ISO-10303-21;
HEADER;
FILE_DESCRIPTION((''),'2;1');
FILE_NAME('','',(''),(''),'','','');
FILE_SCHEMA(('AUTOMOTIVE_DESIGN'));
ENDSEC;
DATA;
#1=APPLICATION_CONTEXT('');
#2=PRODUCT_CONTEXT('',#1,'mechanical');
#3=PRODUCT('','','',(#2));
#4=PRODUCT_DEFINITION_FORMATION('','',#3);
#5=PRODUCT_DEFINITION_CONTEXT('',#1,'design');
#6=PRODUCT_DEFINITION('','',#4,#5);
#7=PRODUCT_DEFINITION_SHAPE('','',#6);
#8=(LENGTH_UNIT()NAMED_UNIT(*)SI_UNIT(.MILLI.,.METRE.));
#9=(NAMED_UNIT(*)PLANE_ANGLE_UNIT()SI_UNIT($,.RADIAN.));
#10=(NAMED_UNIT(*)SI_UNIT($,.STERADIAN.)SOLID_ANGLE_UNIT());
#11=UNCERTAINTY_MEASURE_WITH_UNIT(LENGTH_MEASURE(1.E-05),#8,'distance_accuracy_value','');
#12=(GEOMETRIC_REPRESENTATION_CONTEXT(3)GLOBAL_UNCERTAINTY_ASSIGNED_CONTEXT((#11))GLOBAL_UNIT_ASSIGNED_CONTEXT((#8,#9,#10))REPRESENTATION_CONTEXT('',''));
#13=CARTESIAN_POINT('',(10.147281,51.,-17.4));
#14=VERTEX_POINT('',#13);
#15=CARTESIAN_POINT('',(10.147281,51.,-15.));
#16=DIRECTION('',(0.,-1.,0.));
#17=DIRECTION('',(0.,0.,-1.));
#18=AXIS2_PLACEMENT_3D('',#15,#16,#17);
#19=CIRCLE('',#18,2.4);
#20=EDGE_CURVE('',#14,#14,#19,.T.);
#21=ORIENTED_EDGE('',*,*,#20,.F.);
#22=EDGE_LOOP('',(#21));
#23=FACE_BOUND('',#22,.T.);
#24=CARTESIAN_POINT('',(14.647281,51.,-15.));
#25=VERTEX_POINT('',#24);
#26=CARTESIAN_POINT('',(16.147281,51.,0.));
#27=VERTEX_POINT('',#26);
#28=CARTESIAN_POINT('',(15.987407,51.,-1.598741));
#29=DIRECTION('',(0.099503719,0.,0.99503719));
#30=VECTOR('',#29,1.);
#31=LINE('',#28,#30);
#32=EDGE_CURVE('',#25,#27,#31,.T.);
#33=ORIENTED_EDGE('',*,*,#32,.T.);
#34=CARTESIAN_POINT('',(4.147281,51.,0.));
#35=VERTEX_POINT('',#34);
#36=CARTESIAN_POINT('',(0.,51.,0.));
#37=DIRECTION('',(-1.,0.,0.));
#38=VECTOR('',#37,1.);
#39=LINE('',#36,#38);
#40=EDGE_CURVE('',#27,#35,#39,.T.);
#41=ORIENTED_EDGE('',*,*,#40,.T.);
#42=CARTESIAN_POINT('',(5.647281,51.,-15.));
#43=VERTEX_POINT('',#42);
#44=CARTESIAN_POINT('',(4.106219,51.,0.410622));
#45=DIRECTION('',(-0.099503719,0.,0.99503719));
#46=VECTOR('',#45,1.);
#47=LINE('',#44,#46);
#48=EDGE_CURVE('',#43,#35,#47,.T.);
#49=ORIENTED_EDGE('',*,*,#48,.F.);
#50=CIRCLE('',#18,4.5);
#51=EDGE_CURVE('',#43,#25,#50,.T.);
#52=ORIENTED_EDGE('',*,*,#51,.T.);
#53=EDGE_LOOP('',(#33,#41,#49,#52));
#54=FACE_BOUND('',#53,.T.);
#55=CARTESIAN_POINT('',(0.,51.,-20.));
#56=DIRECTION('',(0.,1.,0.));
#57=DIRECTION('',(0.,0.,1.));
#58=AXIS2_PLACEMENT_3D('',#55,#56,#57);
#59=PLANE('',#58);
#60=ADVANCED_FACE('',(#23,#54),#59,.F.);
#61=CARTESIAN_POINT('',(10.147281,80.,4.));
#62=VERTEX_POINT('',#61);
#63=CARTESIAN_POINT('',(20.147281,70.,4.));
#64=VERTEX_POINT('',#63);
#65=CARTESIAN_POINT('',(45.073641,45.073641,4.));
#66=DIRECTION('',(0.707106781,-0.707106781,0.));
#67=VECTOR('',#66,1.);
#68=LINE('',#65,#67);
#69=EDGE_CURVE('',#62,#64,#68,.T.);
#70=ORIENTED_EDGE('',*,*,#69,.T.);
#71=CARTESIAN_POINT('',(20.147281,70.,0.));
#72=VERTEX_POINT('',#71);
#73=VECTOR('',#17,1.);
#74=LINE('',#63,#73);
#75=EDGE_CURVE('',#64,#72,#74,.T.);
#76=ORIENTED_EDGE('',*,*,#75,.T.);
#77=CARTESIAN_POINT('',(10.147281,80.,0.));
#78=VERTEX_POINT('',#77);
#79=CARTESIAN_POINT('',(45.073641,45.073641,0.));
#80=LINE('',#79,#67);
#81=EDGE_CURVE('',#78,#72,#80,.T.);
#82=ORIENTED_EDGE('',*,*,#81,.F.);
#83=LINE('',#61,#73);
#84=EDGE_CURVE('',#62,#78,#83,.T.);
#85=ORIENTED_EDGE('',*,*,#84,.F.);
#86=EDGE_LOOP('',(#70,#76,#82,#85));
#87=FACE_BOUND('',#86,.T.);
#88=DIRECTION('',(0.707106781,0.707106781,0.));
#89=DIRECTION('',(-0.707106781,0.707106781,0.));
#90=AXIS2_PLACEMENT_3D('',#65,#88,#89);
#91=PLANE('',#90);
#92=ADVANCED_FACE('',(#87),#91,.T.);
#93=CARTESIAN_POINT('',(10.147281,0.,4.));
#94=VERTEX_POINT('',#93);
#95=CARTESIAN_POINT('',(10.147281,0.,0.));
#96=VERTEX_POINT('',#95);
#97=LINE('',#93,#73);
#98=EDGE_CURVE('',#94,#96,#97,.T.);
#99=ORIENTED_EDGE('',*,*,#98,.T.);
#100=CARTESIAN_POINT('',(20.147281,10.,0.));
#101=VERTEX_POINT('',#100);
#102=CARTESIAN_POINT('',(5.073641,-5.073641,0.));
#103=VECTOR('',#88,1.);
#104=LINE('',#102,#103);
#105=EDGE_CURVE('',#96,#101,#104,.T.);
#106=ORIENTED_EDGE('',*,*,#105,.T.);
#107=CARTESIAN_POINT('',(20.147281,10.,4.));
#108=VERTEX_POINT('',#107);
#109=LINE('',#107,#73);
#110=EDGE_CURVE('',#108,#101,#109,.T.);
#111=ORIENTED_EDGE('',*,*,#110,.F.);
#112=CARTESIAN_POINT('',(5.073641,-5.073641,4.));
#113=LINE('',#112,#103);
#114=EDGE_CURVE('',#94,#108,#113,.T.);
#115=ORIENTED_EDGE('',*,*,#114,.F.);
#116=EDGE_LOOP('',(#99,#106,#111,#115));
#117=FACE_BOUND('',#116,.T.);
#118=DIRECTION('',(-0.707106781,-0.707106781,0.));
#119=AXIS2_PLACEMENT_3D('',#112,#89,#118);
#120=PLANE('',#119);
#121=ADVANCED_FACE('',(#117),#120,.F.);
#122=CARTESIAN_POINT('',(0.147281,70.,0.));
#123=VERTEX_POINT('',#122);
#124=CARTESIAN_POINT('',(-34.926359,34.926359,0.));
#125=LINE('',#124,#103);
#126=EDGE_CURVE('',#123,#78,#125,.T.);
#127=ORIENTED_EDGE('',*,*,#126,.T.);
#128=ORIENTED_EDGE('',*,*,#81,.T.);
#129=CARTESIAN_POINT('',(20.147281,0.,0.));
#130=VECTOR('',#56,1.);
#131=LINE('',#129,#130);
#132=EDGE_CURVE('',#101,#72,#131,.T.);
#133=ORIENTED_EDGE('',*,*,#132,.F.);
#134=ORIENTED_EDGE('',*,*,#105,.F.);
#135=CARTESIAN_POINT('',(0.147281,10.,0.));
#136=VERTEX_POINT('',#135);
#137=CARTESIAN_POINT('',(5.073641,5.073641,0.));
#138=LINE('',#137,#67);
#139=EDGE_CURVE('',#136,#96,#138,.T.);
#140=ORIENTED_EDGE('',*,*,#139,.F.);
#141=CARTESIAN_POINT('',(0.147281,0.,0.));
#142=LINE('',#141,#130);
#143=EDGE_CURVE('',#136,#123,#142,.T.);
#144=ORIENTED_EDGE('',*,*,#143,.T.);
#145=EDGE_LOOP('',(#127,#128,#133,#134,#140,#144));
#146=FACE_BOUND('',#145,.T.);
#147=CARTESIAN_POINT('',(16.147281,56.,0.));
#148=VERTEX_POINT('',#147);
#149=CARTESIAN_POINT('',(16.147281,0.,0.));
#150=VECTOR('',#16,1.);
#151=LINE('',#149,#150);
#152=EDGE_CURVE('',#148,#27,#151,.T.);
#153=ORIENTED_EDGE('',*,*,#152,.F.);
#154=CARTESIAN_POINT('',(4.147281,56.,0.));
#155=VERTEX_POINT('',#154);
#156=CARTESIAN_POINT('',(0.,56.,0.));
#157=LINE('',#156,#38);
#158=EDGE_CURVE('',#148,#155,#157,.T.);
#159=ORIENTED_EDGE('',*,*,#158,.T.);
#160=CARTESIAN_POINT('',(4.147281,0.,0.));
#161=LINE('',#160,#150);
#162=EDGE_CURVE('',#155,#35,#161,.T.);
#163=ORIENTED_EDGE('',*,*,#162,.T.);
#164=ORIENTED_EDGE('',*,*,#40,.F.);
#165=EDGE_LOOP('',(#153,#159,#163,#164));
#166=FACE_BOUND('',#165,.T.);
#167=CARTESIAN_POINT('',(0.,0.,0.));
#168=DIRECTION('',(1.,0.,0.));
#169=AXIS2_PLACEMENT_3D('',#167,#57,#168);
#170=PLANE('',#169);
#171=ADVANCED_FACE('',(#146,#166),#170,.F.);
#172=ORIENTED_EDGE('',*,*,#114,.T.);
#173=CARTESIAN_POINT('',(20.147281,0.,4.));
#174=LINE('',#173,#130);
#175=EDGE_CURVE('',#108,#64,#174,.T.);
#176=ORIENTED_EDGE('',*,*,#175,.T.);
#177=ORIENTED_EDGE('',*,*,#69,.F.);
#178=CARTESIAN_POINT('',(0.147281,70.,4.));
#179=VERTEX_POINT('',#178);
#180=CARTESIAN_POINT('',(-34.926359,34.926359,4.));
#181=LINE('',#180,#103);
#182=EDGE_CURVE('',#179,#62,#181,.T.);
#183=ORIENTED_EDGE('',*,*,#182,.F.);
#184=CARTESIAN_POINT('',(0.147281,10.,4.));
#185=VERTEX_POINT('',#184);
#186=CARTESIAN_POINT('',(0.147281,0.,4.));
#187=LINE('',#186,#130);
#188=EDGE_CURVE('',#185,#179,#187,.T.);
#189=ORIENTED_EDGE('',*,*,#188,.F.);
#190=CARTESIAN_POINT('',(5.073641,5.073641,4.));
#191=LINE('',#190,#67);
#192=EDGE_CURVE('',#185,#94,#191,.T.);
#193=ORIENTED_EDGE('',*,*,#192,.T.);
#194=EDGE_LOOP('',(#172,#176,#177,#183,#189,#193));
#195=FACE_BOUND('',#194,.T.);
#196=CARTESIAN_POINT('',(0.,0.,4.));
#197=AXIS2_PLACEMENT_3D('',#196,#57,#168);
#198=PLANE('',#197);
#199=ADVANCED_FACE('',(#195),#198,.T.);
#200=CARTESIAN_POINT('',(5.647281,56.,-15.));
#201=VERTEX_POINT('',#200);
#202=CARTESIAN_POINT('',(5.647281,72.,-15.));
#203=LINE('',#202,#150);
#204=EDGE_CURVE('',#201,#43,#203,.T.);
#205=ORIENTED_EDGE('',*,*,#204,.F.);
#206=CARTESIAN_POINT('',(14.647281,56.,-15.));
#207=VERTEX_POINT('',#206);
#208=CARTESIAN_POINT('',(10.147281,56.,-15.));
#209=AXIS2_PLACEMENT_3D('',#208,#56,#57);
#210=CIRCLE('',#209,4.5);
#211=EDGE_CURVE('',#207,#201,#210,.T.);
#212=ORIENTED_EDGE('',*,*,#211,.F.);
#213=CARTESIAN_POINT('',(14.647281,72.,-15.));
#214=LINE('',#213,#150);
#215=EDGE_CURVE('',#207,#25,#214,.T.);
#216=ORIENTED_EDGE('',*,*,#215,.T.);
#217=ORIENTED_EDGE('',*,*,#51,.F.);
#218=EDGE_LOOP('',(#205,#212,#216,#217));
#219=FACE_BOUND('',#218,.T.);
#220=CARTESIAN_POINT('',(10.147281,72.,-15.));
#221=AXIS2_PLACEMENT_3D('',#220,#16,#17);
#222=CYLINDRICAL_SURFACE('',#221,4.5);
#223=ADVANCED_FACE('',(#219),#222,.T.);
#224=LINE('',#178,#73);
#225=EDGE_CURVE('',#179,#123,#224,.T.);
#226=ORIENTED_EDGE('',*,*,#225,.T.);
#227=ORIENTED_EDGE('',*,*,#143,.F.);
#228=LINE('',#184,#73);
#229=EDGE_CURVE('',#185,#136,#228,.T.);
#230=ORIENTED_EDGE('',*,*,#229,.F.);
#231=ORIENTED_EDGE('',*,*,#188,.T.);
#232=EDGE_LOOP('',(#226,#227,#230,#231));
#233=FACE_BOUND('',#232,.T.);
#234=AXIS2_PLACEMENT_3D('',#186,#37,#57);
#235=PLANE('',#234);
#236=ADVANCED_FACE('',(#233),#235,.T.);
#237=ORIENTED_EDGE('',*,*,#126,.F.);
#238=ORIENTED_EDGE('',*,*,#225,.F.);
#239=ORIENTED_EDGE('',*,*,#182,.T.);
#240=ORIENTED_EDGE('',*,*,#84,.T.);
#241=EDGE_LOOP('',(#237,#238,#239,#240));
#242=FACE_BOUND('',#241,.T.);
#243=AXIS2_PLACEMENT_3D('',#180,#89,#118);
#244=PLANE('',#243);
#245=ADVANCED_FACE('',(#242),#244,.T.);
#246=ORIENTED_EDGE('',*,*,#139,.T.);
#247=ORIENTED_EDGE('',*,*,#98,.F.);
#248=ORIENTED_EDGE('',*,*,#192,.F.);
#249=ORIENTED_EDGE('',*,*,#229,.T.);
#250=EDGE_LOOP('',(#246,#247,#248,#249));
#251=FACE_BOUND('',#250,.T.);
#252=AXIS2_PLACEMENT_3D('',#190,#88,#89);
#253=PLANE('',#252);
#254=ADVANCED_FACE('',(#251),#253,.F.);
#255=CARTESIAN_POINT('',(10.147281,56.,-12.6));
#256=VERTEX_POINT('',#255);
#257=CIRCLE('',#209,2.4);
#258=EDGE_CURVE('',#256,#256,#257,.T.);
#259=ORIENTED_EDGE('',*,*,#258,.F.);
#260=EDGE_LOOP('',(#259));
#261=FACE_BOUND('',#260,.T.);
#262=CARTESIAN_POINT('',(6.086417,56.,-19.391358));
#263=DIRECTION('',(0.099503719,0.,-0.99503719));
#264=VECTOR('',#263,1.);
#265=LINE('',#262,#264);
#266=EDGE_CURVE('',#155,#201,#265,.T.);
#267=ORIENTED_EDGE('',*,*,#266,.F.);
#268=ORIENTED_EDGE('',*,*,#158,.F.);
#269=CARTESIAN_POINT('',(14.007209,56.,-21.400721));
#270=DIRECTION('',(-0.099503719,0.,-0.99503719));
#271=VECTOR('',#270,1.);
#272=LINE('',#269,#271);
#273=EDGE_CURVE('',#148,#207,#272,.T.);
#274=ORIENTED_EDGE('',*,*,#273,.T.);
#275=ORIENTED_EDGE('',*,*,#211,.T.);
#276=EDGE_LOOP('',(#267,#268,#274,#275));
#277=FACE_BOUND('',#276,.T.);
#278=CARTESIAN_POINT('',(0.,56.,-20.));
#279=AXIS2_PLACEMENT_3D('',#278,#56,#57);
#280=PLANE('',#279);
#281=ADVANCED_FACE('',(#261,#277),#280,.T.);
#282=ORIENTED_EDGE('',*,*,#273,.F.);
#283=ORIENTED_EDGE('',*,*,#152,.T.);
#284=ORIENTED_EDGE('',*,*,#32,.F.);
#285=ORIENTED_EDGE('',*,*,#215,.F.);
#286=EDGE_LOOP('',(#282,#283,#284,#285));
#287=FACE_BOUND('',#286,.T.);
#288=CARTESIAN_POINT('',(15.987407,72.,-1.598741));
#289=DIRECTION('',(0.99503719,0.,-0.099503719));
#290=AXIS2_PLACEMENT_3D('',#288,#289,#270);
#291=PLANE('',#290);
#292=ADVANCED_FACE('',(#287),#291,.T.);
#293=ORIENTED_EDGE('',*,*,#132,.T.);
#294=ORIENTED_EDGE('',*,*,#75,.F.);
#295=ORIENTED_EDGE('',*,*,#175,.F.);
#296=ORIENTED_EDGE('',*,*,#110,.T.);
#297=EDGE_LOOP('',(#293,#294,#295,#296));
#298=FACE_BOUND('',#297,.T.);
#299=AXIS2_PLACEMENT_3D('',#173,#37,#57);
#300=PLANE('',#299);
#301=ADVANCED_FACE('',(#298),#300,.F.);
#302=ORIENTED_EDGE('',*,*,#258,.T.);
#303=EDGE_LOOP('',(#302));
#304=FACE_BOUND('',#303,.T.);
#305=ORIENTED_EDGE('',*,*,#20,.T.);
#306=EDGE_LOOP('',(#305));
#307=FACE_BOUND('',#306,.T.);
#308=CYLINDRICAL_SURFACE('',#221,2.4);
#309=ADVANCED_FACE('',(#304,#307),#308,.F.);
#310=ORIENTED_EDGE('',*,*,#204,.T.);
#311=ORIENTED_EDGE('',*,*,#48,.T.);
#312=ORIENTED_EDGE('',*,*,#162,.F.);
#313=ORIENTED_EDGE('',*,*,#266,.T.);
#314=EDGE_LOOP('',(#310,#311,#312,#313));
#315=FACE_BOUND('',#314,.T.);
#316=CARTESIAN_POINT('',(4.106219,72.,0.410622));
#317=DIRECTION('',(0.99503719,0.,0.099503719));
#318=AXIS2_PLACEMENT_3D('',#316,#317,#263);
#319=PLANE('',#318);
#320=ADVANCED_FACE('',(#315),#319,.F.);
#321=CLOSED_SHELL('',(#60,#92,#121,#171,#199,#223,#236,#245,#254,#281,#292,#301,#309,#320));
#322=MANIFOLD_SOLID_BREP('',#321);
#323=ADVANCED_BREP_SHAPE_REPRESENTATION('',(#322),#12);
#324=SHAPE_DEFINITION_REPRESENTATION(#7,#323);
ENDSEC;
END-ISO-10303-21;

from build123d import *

# Parameters (mm, degrees)
EXTRUDE_1_DEPTH     = 4
SKETCH_2_W          = 12
SKETCH_2_H          = 5
EXTRUDE_2_DEPTH     = 20
SKETCH_6_R          = 2.4
CUT_EXTRUDE_5_DEPTH = 21


with BuildPart() as part:
    # 草图1 → 凸台-拉伸1 (new body)
    with BuildSketch(Plane.XY):
        Polygon((0.147281285, 10), (0.147281285, 70), (10.147281285, 80), (20.147281285, 70), (20.147281285, 10), (10.147281285, 0), align=None)
    extrude(amount=EXTRUDE_1_DEPTH)

    # 草图2 → 凸台-拉伸2 (add)
    with BuildSketch(Plane(origin=(0, 0, 0), x_dir=(-1, 0, 0), z_dir=(0, 0, -1))):
        with Locations((-10.147281285, 53.5)):
            Rectangle(SKETCH_2_W, SKETCH_2_H)
    extrude(amount=EXTRUDE_2_DEPTH)

    # 草图6 → 切除-拉伸5 (cut)
    with BuildSketch(Plane.XZ.offset(-51)):
        with Locations(Location((10.147281285, -15, 0), (0, 0, 270))):
            Circle(SKETCH_6_R)
        with BuildLine():
            ThreePointArc((14.647281285, -15), (10.147281285, -19.5), (5.647281285, -15))
            Line((5.647281285, -15), (4.147281285, 0))
            Line((4.147281285, 0), (4.147281285, -20))
            Line((4.147281285, -20), (16.147281285, -20))
            Line((16.147281285, -20), (16.147281285, 0))
            Line((16.147281285, 0), (14.647281285, -15))
        make_face()
    extrude(amount=-CUT_EXTRUDE_5_DEPTH, mode=Mode.SUBTRACT)


solid = part.part
